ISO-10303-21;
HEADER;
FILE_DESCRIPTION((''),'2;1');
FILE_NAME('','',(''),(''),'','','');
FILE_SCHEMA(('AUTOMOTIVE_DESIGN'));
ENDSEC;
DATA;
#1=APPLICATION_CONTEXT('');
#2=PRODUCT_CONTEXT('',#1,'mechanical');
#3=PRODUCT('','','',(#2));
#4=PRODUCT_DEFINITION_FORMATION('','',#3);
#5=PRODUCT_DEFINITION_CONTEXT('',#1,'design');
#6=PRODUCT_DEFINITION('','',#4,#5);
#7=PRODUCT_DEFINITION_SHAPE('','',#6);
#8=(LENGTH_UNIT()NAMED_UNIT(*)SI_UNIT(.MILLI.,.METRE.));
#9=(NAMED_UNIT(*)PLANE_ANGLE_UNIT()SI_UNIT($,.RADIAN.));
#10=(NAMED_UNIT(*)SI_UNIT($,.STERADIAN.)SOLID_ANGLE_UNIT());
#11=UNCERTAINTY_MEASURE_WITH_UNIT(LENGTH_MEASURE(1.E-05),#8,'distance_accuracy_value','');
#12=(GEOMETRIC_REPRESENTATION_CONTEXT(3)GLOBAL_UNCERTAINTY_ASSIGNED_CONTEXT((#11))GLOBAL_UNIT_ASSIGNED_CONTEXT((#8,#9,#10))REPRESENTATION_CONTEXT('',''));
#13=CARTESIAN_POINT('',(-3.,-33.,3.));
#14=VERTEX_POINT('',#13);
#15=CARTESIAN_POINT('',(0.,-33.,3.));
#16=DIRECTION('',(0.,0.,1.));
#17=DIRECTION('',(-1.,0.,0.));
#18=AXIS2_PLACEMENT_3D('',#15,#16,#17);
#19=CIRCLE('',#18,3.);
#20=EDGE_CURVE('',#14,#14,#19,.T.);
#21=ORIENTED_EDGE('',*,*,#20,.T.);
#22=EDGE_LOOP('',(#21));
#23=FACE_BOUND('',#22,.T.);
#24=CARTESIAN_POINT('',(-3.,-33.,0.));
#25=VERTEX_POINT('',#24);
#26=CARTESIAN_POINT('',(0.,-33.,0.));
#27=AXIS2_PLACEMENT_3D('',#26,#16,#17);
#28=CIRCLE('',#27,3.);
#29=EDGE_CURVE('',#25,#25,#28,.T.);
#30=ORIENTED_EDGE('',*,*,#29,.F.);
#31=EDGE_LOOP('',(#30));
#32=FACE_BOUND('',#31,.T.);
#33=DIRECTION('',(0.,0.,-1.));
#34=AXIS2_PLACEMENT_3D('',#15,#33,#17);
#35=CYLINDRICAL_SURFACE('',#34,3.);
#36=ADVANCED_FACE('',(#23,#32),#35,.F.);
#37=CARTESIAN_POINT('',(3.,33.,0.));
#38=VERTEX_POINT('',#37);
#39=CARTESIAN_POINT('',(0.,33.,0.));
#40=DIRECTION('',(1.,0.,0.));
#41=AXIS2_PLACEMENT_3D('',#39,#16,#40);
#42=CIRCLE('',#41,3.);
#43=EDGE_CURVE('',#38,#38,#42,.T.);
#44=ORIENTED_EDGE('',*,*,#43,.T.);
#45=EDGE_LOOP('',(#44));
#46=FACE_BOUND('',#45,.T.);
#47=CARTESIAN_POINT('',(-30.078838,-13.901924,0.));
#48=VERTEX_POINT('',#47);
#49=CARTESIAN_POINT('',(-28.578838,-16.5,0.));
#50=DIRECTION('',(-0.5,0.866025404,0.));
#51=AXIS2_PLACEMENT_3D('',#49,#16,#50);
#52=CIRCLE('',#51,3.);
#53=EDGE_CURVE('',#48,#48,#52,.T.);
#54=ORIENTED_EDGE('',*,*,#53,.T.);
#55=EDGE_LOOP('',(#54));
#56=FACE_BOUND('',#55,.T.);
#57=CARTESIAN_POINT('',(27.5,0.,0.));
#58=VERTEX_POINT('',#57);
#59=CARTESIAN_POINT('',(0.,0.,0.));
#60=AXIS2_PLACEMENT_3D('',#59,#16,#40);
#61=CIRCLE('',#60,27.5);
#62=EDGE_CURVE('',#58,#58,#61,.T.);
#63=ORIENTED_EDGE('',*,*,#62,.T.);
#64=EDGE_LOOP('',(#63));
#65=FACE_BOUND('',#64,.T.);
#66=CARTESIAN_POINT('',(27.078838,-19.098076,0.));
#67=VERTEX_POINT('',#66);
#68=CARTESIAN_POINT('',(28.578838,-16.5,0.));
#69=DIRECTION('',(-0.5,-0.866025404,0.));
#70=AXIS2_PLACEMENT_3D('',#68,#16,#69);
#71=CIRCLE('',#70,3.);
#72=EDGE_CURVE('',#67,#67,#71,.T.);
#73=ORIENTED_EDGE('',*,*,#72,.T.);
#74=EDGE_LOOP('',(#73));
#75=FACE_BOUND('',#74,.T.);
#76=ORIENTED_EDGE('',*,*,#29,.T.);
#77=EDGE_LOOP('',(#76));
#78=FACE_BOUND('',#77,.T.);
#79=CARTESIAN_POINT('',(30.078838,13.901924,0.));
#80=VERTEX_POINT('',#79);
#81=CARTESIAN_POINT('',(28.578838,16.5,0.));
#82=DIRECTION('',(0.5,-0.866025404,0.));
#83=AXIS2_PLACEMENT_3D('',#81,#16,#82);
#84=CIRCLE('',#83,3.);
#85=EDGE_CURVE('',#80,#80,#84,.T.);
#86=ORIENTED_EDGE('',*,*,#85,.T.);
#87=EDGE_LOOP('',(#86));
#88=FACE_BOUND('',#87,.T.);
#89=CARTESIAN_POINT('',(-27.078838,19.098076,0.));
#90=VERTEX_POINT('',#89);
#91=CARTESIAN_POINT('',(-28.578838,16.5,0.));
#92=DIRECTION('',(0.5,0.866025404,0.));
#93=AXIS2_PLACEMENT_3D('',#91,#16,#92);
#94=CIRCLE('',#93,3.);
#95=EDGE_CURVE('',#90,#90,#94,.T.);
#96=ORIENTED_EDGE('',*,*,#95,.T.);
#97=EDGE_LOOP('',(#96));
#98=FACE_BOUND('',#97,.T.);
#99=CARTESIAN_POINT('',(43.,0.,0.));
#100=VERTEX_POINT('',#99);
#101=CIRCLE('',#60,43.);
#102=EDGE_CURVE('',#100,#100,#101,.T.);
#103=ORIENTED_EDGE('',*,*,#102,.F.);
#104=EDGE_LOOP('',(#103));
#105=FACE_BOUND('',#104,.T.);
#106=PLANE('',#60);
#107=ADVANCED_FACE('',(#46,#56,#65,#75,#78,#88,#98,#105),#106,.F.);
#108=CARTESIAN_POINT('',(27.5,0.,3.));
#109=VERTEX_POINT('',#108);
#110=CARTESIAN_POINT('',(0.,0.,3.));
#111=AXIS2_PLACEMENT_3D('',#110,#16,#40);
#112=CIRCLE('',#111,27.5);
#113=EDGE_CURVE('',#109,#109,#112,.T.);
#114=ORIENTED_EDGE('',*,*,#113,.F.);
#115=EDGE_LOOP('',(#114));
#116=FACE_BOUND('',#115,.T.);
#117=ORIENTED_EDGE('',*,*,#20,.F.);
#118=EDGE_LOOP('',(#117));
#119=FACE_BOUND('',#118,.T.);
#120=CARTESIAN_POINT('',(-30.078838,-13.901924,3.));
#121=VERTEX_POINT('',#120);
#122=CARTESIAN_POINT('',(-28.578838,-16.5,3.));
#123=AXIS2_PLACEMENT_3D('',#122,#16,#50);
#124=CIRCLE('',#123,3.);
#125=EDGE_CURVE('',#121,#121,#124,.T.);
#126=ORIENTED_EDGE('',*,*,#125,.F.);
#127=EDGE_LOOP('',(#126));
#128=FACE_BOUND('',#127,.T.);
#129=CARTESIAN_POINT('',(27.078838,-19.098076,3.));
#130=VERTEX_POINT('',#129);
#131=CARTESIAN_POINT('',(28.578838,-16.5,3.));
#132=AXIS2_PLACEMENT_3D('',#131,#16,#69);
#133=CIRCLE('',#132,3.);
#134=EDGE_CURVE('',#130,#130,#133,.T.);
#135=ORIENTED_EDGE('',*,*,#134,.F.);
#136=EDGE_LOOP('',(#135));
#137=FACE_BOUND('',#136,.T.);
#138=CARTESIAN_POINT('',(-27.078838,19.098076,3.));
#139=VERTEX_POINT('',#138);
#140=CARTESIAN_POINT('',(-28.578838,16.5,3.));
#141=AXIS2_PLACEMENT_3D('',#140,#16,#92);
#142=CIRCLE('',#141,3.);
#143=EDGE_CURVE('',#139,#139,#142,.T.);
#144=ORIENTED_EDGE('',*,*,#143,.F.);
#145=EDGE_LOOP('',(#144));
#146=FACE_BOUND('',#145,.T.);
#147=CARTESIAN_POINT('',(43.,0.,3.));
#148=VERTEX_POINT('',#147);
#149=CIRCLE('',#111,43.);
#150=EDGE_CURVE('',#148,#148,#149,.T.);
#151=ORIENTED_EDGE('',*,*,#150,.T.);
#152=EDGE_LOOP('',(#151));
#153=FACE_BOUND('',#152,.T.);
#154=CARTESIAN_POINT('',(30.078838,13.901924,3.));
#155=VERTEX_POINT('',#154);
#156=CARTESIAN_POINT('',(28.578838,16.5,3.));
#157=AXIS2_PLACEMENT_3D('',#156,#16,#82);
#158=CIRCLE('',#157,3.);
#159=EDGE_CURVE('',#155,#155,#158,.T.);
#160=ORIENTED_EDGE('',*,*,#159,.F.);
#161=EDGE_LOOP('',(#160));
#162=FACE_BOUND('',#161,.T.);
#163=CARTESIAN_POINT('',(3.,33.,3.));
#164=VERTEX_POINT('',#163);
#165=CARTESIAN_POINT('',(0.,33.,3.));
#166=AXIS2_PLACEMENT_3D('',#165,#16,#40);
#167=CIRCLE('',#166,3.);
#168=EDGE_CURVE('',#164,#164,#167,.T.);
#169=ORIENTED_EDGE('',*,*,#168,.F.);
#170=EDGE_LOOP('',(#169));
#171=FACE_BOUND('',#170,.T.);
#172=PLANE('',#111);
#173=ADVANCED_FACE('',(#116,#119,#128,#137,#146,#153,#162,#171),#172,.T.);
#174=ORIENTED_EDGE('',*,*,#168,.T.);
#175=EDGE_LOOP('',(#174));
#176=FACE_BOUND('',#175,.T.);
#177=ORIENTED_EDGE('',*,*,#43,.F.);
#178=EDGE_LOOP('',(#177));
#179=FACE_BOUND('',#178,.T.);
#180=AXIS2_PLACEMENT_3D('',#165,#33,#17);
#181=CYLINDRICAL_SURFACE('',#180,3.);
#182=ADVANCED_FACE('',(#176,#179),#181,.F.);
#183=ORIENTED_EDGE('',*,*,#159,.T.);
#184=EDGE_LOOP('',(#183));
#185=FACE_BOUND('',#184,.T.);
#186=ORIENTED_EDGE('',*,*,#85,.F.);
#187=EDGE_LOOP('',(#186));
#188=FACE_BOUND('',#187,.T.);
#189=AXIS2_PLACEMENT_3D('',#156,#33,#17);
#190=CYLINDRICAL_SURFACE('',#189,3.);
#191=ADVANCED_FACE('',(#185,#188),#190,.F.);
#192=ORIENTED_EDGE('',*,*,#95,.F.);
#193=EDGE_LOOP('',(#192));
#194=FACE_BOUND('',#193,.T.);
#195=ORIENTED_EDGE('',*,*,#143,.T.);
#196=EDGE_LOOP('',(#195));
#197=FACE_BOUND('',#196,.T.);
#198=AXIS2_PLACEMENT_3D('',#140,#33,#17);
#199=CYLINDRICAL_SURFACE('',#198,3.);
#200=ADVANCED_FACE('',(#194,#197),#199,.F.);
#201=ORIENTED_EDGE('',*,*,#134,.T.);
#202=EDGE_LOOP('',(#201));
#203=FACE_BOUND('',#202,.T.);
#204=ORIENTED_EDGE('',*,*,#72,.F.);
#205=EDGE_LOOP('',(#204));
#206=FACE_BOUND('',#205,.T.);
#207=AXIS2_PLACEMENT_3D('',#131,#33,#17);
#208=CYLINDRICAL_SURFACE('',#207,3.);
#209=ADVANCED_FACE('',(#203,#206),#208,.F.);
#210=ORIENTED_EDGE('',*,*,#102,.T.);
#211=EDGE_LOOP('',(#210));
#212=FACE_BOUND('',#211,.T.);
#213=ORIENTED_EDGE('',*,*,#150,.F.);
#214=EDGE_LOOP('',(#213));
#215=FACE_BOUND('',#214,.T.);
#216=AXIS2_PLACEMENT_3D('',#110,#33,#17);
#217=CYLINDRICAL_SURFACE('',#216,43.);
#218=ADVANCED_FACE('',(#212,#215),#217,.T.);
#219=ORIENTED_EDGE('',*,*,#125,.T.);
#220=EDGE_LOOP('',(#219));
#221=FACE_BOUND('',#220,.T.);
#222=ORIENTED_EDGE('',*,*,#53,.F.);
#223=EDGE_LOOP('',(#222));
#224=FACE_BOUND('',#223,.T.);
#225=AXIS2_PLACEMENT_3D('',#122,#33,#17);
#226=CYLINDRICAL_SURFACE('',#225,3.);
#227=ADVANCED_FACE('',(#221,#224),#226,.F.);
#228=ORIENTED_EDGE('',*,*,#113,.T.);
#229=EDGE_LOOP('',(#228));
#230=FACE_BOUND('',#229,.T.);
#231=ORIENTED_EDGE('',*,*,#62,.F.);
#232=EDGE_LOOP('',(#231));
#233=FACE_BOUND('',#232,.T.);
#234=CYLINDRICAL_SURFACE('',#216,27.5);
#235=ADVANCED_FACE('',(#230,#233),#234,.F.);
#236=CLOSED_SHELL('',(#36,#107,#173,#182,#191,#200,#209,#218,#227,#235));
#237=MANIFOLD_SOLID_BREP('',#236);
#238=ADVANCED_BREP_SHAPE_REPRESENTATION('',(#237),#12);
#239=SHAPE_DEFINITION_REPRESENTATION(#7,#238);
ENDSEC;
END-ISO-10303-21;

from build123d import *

# Parameters (mm, degrees)
SKETCH1_R           = 43
BOSS_EXTRUDE2_DEPTH = 3
SKETCH1_3_R         = 3
CUT_EXTRUDE1_DEPTH  = 61.88513776
CIRPATTERN2_COUNT   = 6
SKETCH1_4_R         = 27.5
CUT_EXTRUDE2_DEPTH  = 61.88513776


with BuildPart() as part:
    # Sketch1 → Boss-Extrude2 (new body)
    with BuildSketch(Plane.XY):
        Circle(SKETCH1_R)
    extrude(amount=BOSS_EXTRUDE2_DEPTH)

    # Sketch1<3> → Cut-Extrude1 (cut, through all)
    with BuildSketch(Plane.XY):
        with Locations((0, 33)):
            Circle(SKETCH1_3_R)
    cut_extrude1 = extrude(amount=CUT_EXTRUDE1_DEPTH, mode=Mode.SUBTRACT)

    # CirPattern2: Cut-Extrude1 ×6 about axis
    cirpattern2_axis = Axis((0, 0, 3), (0, 0, -1))
    for i in range(1, CIRPATTERN2_COUNT):
        add(cut_extrude1.rotate(cirpattern2_axis, i * 360 / CIRPATTERN2_COUNT), mode=Mode.SUBTRACT)

    # Sketch1<4> → Cut-Extrude2 (cut, through all)
    with BuildSketch(Plane.XY):
        Circle(SKETCH1_4_R)
    extrude(amount=CUT_EXTRUDE2_DEPTH, mode=Mode.SUBTRACT)


solid = part.part
